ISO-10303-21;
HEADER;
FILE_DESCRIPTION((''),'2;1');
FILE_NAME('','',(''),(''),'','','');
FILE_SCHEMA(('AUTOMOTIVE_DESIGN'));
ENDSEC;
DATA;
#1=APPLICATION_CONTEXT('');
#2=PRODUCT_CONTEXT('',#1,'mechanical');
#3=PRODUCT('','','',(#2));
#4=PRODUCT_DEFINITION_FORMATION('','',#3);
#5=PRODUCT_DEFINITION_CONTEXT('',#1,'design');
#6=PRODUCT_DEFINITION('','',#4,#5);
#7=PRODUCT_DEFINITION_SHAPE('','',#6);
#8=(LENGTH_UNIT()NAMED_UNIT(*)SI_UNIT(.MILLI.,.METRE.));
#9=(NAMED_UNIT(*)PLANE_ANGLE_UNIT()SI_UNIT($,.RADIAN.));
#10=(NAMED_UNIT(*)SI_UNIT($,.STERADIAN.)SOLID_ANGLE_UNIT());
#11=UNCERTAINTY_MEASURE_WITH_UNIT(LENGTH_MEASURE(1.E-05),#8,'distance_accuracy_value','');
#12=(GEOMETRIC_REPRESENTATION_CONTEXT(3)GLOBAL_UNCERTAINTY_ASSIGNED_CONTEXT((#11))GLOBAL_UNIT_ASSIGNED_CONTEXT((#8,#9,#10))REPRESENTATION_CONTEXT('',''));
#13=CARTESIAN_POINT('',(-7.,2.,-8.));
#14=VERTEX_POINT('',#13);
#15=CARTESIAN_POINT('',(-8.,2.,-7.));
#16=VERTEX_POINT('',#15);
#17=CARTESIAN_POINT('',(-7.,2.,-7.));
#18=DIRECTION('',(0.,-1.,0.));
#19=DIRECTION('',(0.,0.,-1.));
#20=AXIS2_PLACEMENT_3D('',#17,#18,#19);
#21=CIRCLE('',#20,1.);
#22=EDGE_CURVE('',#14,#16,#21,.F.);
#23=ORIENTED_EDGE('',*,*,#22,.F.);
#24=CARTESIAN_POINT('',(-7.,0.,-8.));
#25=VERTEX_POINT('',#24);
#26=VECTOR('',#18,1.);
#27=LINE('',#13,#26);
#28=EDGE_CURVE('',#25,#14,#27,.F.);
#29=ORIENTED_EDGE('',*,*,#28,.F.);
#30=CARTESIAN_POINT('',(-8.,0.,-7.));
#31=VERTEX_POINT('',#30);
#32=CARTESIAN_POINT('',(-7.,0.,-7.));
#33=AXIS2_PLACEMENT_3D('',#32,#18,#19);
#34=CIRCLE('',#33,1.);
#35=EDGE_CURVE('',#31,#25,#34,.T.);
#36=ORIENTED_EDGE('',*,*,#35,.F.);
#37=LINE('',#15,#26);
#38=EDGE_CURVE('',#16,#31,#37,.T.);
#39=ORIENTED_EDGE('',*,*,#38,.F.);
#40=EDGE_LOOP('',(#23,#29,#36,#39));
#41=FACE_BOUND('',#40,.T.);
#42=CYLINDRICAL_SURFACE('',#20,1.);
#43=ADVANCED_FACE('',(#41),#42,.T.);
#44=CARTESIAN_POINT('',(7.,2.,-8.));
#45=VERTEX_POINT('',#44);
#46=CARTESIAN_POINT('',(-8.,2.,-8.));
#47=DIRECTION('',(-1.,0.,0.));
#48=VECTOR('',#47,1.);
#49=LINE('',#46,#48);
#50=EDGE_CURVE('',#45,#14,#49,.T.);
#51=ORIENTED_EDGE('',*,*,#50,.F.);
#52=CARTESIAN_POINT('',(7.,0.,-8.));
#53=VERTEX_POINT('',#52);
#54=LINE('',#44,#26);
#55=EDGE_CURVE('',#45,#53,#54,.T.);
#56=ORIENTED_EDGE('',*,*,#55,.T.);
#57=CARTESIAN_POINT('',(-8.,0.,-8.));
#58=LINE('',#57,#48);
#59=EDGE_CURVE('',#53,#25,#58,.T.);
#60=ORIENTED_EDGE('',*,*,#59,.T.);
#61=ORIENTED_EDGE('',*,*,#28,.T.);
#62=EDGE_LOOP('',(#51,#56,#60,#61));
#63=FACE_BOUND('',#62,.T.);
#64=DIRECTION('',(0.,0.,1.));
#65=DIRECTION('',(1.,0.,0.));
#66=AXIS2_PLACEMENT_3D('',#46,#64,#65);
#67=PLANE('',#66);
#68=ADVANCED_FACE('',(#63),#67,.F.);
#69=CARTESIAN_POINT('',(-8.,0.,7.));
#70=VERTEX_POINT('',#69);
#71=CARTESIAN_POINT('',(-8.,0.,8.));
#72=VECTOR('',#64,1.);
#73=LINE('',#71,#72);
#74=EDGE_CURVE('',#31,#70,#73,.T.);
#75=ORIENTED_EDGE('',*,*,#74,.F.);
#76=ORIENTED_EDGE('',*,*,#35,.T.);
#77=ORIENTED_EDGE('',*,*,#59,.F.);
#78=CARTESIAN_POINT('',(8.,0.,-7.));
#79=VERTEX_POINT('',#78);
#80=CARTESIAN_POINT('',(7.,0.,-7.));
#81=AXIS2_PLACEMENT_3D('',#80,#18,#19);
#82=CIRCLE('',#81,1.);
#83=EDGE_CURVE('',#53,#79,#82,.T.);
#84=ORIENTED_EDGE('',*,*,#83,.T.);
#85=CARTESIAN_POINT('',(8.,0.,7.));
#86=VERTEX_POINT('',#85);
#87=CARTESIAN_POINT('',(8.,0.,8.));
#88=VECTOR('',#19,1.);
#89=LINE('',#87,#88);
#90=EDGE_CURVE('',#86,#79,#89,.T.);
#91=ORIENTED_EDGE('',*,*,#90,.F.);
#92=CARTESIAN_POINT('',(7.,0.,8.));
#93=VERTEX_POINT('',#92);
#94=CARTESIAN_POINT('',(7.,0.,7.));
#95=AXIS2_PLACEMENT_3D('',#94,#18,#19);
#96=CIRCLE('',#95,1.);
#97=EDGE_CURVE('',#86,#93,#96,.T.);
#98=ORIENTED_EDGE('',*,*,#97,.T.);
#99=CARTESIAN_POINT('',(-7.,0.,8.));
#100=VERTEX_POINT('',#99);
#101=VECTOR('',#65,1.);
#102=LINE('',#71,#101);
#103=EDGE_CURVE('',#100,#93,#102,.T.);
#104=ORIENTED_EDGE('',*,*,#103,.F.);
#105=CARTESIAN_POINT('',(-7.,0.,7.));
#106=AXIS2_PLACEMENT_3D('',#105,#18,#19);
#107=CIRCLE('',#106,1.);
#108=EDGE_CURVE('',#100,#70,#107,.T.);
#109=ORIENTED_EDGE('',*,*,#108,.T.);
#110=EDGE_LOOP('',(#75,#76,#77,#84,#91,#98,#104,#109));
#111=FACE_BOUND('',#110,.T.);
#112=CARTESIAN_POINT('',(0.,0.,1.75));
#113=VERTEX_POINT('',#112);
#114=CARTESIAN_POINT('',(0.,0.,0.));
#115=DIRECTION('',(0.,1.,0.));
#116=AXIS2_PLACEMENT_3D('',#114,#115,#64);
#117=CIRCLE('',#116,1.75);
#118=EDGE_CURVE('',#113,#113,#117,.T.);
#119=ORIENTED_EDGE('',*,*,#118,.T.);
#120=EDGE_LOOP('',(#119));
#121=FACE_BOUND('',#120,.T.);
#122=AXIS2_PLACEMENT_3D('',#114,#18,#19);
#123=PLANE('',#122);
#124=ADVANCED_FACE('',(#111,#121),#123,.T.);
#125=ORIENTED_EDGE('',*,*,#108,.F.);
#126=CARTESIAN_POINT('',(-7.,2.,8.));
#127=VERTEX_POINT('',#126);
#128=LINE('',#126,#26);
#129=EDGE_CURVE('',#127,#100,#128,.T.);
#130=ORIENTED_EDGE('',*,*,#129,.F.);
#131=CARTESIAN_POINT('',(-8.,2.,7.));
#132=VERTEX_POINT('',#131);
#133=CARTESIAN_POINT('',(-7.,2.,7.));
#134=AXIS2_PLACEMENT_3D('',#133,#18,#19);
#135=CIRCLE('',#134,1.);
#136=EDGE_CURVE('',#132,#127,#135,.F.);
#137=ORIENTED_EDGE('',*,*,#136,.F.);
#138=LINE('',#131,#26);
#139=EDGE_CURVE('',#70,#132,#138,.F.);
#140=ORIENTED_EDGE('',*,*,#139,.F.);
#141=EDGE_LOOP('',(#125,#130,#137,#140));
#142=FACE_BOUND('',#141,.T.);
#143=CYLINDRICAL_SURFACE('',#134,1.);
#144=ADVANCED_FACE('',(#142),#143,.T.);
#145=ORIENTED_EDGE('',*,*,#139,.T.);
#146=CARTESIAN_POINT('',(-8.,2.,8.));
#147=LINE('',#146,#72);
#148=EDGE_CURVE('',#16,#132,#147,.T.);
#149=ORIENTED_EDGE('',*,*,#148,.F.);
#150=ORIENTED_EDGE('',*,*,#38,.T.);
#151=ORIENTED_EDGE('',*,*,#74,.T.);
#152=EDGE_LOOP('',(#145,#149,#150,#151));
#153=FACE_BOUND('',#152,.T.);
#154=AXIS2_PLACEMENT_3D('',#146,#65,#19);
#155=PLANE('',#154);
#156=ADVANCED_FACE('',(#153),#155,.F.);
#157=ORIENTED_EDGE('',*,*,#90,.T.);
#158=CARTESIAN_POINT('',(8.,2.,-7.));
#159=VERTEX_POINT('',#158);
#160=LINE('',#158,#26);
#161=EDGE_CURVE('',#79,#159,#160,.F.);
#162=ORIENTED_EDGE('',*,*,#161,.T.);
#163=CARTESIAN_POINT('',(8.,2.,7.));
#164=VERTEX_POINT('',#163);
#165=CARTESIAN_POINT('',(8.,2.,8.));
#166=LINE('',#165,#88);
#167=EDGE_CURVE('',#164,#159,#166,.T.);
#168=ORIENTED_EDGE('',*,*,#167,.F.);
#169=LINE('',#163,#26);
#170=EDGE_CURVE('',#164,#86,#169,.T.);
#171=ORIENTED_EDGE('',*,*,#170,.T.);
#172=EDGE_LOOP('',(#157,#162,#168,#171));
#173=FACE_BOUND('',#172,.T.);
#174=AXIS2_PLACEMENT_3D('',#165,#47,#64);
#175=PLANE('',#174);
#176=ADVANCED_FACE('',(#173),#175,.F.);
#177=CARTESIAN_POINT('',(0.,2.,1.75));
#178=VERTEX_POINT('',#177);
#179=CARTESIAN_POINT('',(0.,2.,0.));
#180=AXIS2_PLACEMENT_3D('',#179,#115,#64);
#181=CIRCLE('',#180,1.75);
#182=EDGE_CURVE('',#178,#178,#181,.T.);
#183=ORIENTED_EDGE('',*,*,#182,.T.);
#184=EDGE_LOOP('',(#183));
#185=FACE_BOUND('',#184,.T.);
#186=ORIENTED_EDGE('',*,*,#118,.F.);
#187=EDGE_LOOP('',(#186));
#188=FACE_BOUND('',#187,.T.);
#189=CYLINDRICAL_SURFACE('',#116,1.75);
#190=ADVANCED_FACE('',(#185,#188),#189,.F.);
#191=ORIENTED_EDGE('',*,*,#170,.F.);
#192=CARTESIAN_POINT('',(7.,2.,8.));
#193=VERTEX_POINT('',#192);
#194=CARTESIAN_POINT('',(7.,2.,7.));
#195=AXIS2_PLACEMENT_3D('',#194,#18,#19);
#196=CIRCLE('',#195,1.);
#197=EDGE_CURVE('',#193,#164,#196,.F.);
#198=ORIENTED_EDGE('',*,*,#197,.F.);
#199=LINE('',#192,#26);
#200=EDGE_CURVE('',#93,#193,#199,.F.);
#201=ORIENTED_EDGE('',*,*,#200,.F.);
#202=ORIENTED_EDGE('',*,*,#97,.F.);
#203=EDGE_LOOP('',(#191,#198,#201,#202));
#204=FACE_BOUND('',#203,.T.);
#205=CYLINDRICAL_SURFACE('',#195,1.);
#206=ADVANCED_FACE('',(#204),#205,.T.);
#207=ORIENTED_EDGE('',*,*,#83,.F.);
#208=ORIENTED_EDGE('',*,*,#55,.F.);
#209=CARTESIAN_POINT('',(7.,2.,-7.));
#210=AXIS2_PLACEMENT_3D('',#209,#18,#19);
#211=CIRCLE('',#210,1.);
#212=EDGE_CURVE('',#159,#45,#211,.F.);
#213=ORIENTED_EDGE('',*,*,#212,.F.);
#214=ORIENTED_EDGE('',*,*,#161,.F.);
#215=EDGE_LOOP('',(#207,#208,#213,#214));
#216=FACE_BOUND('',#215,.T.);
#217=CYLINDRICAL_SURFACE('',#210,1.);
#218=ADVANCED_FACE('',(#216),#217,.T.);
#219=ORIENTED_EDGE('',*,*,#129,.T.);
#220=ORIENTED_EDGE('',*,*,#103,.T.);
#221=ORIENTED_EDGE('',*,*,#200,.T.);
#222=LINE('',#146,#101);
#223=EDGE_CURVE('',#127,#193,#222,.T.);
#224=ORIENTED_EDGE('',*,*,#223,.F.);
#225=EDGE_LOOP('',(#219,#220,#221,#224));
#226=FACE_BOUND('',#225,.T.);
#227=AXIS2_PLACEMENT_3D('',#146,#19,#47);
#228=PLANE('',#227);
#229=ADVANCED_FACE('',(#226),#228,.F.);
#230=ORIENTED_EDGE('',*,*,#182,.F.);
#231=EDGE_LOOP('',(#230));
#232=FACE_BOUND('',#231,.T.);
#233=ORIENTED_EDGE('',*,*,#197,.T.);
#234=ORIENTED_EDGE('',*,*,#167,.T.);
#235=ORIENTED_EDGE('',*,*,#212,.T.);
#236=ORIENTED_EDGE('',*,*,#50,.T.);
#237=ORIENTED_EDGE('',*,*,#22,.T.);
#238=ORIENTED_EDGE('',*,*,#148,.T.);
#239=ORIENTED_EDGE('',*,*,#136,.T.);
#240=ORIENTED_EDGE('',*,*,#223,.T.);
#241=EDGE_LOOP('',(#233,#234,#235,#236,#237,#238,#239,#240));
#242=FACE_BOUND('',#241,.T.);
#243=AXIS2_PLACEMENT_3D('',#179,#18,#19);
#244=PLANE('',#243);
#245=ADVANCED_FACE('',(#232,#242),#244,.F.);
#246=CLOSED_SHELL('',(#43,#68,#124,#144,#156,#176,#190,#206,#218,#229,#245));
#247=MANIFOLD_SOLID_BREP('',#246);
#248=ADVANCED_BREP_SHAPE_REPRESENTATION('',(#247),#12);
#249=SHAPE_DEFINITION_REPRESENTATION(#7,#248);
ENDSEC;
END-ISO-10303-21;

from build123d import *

# Parameters (mm, degrees)
SKETCH1_W           = 16
SKETCH1_H           = 16
BOSS_EXTRUDE1_DEPTH = 2
FILLET1_R           = 1
SKETCH2_R           = 1.75
CUT_EXTRUDE1_DEPTH  = 3


with BuildPart() as part:
    # Sketch1 → Boss-Extrude1 (new body)
    with BuildSketch(Plane(origin=(0, 0, 0), x_dir=(1, 0, 0), z_dir=(0, 1, 0))):
        Rectangle(SKETCH1_W, SKETCH1_H)
    extrude(amount=BOSS_EXTRUDE1_DEPTH)

    # Fillet1
    fillet1_edges = [part.edges().sort_by_distance(p)[0] for p in [
        (8, 1, 8),
        (-8, 1, 8),
        (-8, 1, -8),
        (8, 1, -8),
    ]]
    fillet(fillet1_edges, radius=FILLET1_R)

    # Sketch2 → Cut-Extrude1 (cut, through all)
    with BuildSketch(Plane(origin=(0, 2, 0), x_dir=(1, 0, 0), z_dir=(0, 1, 0))):
        Circle(SKETCH2_R)
    extrude(amount=-CUT_EXTRUDE1_DEPTH, mode=Mode.SUBTRACT)


solid = part.part
